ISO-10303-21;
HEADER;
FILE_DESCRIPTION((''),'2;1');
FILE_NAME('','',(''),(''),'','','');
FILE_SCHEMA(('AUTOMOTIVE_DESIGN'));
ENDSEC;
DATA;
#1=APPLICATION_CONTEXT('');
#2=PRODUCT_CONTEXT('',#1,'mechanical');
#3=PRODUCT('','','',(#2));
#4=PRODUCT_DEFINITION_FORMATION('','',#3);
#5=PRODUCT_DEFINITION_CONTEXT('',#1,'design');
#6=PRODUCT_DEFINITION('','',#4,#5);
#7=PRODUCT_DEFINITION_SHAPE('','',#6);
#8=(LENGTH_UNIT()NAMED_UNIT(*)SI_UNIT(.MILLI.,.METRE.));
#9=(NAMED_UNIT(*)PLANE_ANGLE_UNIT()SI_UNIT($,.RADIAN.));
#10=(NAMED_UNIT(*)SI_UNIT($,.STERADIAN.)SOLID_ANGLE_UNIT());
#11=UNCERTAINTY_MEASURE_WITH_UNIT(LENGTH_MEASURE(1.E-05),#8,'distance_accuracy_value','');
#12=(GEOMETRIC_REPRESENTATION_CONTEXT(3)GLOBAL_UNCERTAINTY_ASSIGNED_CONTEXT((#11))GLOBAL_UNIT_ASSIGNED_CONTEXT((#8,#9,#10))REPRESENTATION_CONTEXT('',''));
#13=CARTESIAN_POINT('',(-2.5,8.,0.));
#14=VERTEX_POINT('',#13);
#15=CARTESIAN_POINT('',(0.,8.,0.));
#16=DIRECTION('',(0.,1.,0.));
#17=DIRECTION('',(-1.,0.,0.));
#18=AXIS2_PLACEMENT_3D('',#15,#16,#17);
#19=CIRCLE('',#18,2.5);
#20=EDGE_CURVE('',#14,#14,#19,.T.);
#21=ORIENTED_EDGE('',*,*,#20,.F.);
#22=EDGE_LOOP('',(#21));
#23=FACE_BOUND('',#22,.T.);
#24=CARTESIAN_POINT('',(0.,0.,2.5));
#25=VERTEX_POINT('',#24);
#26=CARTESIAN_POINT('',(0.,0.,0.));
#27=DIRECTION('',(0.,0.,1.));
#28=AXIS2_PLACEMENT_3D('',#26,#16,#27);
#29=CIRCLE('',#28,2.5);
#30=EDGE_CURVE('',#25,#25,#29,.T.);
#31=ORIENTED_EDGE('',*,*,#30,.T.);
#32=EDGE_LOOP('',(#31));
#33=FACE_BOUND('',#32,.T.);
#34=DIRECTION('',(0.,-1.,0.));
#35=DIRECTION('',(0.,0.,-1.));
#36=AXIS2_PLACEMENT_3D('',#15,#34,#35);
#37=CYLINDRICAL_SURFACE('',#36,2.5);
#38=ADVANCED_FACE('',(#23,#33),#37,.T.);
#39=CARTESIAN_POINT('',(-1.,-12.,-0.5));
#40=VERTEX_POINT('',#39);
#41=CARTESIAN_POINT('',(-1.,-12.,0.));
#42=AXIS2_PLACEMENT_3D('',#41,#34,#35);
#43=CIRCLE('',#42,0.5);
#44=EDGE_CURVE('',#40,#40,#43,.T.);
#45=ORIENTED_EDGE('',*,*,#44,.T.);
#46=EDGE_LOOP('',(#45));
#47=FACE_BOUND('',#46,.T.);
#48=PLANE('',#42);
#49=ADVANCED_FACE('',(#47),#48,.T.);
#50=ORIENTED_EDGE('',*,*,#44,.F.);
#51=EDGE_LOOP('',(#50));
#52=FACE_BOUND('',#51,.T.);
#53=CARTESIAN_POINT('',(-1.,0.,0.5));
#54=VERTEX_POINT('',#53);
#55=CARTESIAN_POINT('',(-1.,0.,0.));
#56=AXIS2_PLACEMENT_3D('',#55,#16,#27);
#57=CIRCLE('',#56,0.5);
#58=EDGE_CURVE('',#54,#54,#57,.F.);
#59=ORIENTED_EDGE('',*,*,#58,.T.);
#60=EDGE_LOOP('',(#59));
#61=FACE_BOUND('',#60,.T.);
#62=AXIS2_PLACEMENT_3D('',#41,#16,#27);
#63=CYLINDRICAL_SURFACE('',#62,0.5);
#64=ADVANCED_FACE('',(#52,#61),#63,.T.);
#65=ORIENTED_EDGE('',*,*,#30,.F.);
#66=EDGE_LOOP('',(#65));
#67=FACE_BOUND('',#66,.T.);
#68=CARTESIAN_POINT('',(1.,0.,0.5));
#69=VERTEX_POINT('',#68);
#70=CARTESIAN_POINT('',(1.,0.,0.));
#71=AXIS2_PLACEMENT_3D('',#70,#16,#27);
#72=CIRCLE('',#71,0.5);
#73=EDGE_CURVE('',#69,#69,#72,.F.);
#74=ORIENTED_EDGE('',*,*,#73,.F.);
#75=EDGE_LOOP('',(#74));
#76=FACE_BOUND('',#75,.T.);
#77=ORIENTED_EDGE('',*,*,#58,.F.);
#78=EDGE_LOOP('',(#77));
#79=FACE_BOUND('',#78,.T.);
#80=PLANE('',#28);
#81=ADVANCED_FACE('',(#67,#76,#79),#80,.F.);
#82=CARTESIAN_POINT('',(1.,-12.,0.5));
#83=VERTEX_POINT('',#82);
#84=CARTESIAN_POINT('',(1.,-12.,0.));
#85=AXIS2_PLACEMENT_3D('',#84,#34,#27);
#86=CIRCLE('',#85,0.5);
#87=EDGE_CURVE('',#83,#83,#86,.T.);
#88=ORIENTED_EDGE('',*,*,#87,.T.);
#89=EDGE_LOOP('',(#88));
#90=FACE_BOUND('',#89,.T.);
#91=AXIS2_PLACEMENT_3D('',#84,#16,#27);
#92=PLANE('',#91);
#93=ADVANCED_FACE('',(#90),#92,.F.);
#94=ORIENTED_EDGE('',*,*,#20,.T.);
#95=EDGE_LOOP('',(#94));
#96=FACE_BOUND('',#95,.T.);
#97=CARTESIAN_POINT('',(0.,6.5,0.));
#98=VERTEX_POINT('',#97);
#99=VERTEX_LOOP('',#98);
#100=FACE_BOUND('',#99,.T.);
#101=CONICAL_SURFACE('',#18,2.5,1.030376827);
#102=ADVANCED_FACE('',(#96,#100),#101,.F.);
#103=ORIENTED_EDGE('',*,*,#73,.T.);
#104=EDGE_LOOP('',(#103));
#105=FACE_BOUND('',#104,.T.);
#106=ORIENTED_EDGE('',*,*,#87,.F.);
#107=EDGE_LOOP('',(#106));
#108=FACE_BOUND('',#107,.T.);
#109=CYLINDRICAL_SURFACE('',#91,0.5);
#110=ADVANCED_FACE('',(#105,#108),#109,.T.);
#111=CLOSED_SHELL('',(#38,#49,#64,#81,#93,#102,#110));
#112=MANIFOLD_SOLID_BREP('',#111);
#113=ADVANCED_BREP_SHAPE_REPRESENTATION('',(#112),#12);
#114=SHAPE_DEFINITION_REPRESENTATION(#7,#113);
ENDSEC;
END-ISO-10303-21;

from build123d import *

# Parameters (mm, degrees)
SKETCH1_R           = 2.5
BOSS_EXTRUDE1_DEPTH = 8
SKETCH3_R           = 0.5
BOSS_EXTRUDE2_DEPTH = 12


with BuildPart() as part:
    # Sketch1 → Boss-Extrude1 (new body)
    with BuildSketch(Plane(origin=(0, 0, 0), x_dir=(1, 0, 0), z_dir=(0, 1, 0))):
        with Locations(Location((0, 0, 0), (0, 0, 270))):
            Circle(SKETCH1_R)
    extrude(amount=BOSS_EXTRUDE1_DEPTH)

    # Sketch2 → Cut-Revolve2 (revolve, cut)
    with BuildSketch(Plane.XY):
        Polygon((0, 8), (0, 6.5), (-2.5, 8), align=None)
    revolve(axis=Axis((0, 8, 0), (0, -1, 0)), mode=Mode.SUBTRACT)

    # Sketch3 → Boss-Extrude2 (add)
    with BuildSketch(Plane.XZ):
        with Locations(Location((-1, 0, 0), (0, 0, 90))):
            Circle(SKETCH3_R)
        with Locations(Location((1, 0, 0), (0, 0, 90))):
            Circle(SKETCH3_R)
    extrude(amount=BOSS_EXTRUDE2_DEPTH)


solid = part.part
